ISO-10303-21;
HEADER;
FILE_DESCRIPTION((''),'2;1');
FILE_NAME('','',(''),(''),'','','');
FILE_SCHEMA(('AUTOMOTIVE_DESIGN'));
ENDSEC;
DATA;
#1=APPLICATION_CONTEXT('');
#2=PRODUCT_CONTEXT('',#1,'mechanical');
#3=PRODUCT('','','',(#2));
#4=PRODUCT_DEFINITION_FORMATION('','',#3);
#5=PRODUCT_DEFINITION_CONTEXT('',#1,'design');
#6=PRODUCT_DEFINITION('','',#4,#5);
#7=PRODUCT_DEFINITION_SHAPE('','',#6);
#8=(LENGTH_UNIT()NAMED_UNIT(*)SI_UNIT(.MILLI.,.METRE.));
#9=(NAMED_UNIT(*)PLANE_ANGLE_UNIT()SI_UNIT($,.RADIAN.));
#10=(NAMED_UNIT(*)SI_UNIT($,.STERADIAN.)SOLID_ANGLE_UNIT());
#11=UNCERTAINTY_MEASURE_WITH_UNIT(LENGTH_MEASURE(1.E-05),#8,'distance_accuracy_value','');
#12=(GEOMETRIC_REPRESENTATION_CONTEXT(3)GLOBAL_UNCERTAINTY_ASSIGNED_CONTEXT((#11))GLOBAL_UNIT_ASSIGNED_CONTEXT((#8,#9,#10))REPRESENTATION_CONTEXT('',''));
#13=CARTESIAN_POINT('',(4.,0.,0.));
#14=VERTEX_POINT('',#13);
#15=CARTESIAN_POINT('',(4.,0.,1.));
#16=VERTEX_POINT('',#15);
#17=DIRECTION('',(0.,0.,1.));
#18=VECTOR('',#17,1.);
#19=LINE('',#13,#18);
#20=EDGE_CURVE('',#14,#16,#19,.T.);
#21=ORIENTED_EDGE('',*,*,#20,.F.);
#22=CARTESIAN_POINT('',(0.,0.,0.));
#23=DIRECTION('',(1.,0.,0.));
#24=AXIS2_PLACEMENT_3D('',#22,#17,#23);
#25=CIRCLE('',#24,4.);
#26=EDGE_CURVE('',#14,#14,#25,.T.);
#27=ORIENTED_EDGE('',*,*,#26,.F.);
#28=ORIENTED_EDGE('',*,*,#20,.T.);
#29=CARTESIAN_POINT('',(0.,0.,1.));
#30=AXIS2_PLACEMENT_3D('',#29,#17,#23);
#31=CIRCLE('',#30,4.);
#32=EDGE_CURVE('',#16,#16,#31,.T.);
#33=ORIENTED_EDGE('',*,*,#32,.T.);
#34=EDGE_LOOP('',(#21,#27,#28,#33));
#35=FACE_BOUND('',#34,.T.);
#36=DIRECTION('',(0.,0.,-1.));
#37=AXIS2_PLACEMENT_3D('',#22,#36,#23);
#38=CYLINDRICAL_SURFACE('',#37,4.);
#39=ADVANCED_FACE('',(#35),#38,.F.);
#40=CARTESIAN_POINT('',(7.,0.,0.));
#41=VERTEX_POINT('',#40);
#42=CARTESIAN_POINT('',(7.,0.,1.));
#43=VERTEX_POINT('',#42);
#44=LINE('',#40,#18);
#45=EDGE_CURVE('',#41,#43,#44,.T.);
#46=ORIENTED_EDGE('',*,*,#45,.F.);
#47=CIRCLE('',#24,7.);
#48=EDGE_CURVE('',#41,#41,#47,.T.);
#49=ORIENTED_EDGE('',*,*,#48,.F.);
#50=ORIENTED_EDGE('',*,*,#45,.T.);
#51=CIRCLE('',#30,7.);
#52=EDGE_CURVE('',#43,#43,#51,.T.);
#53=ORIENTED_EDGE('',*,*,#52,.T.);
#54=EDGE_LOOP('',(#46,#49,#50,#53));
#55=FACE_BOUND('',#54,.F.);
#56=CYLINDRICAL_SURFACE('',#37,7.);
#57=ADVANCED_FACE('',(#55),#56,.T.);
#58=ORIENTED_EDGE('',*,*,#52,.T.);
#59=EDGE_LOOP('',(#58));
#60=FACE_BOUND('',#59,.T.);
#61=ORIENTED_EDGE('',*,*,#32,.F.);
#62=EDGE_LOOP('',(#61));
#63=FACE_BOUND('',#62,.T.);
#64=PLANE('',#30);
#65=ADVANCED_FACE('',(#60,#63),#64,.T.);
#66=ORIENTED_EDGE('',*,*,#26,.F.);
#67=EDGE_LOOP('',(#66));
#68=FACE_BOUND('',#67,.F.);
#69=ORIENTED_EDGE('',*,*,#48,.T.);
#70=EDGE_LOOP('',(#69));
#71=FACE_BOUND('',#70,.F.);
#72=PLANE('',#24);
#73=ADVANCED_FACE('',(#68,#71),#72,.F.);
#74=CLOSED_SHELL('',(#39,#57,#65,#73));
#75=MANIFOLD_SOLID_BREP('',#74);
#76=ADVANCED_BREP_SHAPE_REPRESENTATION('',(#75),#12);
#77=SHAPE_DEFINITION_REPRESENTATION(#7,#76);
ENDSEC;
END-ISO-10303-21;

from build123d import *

# Parameters (mm, degrees)
SKETCH_1_R      = 7
SKETCH_1_R_2    = 4
EXTRUDE_1_DEPTH = 1


with BuildPart() as part:
    # Эскиз1 → Вытянуть-Тонкостенный1 (new body)
    with BuildSketch(Plane.XY):
        Circle(SKETCH_1_R)
        Circle(SKETCH_1_R_2, mode=Mode.SUBTRACT)
    extrude(amount=EXTRUDE_1_DEPTH)


solid = part.part
